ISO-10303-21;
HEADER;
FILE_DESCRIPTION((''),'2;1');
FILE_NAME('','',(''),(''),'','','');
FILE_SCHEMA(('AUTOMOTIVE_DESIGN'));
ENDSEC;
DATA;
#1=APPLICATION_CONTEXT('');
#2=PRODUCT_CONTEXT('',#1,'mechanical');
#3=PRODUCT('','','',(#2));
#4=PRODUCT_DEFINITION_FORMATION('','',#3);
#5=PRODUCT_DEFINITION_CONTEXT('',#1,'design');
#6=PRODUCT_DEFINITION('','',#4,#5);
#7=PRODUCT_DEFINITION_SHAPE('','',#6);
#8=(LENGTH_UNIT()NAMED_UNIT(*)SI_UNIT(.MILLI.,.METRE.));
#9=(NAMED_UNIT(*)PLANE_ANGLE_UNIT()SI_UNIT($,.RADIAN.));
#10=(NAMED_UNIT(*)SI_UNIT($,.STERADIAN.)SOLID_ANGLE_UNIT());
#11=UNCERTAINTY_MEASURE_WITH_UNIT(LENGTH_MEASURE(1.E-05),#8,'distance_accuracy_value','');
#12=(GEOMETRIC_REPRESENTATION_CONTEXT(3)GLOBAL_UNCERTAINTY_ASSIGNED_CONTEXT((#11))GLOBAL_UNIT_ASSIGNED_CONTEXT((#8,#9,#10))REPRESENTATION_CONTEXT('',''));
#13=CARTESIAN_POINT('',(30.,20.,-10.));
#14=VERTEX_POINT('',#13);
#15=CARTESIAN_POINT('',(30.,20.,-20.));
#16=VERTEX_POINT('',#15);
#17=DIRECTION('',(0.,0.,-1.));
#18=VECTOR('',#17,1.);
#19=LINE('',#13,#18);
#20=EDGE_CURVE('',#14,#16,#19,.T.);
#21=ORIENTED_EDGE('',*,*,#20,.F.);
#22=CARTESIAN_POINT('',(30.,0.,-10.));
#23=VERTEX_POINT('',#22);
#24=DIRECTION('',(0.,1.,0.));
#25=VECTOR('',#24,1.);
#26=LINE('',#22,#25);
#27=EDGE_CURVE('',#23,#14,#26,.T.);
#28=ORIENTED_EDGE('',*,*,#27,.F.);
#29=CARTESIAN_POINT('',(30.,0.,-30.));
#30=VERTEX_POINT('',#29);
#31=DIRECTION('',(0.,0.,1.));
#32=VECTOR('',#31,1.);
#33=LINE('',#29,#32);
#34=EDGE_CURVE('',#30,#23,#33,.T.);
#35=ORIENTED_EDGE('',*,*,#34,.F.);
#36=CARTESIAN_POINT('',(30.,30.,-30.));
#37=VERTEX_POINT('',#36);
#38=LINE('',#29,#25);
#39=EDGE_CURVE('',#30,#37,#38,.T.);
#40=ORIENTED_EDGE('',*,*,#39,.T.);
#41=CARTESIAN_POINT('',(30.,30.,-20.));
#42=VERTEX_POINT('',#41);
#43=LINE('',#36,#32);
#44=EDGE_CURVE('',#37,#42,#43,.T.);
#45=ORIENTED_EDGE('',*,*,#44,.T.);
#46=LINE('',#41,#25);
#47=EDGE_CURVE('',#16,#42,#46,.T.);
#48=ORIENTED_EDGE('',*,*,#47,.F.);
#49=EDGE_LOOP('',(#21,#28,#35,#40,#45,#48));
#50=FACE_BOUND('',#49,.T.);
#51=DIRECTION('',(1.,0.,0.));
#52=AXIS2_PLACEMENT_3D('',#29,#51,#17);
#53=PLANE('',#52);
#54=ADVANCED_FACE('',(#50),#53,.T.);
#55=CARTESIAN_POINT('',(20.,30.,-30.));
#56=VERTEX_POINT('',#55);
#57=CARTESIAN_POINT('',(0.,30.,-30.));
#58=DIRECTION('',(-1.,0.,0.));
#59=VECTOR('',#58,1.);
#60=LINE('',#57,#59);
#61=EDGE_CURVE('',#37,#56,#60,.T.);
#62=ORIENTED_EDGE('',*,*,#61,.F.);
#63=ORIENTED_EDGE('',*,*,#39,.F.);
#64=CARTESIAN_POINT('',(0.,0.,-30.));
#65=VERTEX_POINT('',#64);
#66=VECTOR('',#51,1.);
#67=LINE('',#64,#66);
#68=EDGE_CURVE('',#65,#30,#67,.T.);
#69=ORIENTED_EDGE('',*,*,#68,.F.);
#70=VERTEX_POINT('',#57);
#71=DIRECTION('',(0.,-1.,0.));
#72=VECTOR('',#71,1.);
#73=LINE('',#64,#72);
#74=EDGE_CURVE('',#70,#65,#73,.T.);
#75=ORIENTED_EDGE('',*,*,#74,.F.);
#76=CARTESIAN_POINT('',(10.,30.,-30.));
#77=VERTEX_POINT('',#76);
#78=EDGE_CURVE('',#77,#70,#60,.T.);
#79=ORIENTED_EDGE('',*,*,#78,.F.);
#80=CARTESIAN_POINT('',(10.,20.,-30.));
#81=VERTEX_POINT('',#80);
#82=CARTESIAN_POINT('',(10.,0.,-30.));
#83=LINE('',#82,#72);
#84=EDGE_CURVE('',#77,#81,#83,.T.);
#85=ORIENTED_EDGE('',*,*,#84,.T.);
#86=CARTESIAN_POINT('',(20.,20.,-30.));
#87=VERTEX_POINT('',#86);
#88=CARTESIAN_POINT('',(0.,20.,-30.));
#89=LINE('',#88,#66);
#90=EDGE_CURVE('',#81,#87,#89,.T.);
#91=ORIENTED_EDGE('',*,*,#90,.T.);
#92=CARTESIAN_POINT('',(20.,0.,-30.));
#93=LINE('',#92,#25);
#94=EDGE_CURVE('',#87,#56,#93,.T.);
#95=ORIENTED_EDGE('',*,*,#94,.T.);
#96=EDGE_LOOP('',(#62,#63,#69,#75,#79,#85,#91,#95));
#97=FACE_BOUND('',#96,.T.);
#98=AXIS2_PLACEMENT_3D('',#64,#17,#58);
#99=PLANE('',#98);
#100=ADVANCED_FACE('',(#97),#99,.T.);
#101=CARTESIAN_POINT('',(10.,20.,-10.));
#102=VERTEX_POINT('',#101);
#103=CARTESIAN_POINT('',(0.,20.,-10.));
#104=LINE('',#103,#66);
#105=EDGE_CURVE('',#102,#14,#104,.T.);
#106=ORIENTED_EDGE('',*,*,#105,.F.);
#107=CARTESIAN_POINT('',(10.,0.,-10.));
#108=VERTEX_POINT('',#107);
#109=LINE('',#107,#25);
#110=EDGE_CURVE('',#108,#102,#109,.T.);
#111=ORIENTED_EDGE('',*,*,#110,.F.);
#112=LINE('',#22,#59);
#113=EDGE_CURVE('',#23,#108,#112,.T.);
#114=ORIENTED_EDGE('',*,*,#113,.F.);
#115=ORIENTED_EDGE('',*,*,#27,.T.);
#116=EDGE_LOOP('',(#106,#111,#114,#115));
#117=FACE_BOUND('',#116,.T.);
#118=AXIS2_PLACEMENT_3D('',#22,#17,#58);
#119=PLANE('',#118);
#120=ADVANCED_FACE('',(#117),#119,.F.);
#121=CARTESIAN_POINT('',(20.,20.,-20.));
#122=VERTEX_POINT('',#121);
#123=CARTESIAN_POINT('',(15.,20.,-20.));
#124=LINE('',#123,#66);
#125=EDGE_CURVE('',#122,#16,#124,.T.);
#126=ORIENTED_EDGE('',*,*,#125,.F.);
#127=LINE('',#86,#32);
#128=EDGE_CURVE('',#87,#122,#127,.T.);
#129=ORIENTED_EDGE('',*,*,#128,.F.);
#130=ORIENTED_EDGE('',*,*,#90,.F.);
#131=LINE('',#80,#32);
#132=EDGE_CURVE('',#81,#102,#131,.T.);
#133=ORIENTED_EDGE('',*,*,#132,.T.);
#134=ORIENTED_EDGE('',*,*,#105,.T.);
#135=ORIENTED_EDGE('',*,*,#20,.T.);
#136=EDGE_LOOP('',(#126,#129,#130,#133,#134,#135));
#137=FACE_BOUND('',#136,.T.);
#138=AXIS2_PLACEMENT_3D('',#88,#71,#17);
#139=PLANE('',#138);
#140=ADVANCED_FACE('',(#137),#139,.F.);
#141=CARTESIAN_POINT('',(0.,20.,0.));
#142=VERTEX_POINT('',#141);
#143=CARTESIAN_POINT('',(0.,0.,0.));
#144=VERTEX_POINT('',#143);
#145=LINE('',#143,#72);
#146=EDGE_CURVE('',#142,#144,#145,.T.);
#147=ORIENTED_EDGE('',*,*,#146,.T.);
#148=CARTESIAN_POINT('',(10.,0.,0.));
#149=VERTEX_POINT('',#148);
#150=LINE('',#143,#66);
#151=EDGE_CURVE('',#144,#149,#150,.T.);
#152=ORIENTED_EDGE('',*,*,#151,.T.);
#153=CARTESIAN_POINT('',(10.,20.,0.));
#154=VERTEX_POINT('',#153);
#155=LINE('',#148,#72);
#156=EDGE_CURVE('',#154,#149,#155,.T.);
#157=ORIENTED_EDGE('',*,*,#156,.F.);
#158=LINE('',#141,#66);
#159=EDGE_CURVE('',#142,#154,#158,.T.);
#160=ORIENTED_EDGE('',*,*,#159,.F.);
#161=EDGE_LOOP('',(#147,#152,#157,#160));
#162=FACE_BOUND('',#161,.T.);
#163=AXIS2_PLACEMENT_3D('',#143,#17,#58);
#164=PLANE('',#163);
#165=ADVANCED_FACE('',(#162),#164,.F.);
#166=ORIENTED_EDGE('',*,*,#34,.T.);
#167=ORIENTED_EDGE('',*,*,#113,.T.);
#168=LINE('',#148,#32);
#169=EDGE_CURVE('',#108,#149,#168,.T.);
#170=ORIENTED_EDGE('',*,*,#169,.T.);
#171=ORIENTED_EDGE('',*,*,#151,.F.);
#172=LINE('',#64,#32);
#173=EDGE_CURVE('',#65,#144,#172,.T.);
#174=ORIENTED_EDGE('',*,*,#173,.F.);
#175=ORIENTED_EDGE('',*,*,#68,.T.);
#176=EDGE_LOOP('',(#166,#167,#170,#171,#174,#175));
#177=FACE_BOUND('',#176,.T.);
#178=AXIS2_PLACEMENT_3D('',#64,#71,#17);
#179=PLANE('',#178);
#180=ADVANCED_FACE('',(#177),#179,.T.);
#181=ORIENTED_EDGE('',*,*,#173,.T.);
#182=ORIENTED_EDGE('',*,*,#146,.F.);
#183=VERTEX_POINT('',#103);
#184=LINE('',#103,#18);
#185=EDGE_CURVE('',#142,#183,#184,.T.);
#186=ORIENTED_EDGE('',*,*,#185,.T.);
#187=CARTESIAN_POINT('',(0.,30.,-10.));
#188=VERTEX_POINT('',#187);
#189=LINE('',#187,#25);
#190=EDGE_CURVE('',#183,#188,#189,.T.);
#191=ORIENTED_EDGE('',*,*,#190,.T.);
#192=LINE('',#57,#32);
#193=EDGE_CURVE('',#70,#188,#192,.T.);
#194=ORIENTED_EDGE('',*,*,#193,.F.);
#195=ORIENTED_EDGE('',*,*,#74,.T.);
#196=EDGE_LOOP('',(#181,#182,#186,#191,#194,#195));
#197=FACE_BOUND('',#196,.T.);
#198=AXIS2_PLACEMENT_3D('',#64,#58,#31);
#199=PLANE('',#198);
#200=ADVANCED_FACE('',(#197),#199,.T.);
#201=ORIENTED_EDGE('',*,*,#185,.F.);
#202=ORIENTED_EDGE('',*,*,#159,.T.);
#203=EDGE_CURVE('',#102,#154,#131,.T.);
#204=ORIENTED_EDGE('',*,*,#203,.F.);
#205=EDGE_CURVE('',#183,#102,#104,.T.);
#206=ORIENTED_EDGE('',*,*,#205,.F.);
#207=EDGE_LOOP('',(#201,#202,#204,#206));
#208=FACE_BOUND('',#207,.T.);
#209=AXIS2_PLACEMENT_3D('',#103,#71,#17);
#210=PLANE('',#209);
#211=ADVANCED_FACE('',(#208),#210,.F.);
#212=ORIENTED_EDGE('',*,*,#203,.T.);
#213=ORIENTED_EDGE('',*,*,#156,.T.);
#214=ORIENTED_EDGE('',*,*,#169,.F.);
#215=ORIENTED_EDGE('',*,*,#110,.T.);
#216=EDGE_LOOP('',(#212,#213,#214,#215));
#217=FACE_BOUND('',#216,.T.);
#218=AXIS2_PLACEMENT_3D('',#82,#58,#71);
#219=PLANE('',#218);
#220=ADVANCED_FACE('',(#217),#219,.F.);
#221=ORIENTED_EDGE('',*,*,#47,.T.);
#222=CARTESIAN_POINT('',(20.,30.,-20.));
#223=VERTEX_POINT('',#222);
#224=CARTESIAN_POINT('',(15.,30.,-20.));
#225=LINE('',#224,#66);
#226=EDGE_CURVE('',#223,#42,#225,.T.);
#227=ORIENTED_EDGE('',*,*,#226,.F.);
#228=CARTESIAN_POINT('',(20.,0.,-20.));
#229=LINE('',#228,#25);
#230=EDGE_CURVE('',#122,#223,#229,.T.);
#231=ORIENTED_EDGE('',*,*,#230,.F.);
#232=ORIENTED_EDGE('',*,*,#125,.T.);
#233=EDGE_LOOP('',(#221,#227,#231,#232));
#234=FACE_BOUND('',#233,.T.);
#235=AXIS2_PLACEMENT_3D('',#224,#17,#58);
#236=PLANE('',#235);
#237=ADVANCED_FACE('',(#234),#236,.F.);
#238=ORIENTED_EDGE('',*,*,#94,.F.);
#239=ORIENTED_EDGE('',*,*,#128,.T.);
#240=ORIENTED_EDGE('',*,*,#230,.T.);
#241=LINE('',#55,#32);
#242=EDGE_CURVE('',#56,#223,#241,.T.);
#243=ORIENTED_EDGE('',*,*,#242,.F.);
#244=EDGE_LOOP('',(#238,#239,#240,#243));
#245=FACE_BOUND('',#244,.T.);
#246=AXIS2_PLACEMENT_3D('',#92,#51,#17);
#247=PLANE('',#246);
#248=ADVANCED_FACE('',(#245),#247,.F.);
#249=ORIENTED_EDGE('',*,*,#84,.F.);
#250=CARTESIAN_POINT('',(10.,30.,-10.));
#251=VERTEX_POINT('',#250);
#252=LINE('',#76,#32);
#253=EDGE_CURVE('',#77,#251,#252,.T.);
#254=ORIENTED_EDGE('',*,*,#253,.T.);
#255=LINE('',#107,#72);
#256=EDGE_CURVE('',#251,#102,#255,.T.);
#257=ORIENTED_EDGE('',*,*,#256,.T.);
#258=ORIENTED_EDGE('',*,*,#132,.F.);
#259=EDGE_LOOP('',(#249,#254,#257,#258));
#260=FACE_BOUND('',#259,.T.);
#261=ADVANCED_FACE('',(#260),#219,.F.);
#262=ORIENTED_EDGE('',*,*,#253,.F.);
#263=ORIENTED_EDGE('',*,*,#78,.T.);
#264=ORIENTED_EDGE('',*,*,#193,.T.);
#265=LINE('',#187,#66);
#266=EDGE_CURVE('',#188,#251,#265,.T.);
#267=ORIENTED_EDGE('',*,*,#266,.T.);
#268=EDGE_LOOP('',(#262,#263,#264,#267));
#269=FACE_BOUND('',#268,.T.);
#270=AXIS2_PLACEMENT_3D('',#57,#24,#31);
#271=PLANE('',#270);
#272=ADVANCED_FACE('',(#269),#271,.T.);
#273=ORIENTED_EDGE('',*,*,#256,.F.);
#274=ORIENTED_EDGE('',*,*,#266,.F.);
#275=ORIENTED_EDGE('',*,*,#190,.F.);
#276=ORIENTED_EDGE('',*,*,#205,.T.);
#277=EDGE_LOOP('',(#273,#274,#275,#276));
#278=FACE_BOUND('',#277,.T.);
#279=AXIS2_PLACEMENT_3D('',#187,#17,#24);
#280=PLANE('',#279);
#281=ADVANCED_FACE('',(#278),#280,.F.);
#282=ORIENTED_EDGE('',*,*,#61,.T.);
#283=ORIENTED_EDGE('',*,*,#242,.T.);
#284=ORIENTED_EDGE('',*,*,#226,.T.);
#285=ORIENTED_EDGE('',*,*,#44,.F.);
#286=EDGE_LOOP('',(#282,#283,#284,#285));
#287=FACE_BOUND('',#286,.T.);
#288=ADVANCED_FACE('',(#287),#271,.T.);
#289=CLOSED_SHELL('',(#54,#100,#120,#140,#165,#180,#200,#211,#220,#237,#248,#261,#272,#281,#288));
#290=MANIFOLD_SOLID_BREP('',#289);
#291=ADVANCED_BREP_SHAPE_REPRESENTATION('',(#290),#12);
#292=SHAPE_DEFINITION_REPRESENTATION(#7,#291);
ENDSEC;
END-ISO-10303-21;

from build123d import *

# Parameters (mm, degrees)
SKETCH_1_W          = 30
SKETCH_1_H          = 30
EXTRUDE_1_DEPTH     = 30
SKETCH_5_W          = 10
SKETCH_5_H          = 10
CUT_EXTRUDE_4_DEPTH = 52.961524227
SKETCH_7_W          = 20
SKETCH_7_H          = 10
CUT_EXTRUDE_5_DEPTH = 52.961524227
SKETCH_9_W          = 10
SKETCH_9_H          = 10
CUT_EXTRUDE_6_DEPTH = 52.961524227
SKETCH_10_W         = 10
SKETCH_10_H         = 10
CUT_EXTRUDE_7_DEPTH = 15


with BuildPart() as part:
    # 草圖1 → 填料-伸1 (new body)
    with BuildSketch(Plane.XY):
        with Locations((15, 15)):
            Rectangle(SKETCH_1_W, SKETCH_1_H)
    extrude(amount=-EXTRUDE_1_DEPTH)

    # 草圖5 → 除料-伸長4 (cut, through all)
    with BuildSketch(Plane.XY):
        with Locations((15, 25)):
            Rectangle(SKETCH_5_W, SKETCH_5_H)
    extrude(amount=-CUT_EXTRUDE_4_DEPTH, mode=Mode.SUBTRACT)

    # 草圖7 → 除料-伸長5 (cut, through all)
    with BuildSketch(Plane(origin=(0, 30, 0), x_dir=(1, 0, 0), z_dir=(0, 1, 0))):
        with Locations((20, 5)):
            Rectangle(SKETCH_7_W, SKETCH_7_H)
    extrude(amount=-CUT_EXTRUDE_5_DEPTH, mode=Mode.SUBTRACT)

    # 草圖9 → 除料-伸長6 (cut, through all)
    with BuildSketch(Plane(origin=(30, 0, 0), x_dir=(0, 0, -1), z_dir=(1, 0, 0))):
        with Locations((5, 25)):
            Rectangle(SKETCH_9_W, SKETCH_9_H)
    extrude(amount=-CUT_EXTRUDE_6_DEPTH, mode=Mode.SUBTRACT)

    # 草圖10 → 除料-伸長7 (cut)
    with BuildSketch(Plane(origin=(30, 0, 0), x_dir=(0, 0, -1), z_dir=(1, 0, 0))):
        with Locations((15, 25)):
            Rectangle(SKETCH_10_W, SKETCH_10_H)
    extrude(amount=-CUT_EXTRUDE_7_DEPTH, mode=Mode.SUBTRACT)


solid = part.part
